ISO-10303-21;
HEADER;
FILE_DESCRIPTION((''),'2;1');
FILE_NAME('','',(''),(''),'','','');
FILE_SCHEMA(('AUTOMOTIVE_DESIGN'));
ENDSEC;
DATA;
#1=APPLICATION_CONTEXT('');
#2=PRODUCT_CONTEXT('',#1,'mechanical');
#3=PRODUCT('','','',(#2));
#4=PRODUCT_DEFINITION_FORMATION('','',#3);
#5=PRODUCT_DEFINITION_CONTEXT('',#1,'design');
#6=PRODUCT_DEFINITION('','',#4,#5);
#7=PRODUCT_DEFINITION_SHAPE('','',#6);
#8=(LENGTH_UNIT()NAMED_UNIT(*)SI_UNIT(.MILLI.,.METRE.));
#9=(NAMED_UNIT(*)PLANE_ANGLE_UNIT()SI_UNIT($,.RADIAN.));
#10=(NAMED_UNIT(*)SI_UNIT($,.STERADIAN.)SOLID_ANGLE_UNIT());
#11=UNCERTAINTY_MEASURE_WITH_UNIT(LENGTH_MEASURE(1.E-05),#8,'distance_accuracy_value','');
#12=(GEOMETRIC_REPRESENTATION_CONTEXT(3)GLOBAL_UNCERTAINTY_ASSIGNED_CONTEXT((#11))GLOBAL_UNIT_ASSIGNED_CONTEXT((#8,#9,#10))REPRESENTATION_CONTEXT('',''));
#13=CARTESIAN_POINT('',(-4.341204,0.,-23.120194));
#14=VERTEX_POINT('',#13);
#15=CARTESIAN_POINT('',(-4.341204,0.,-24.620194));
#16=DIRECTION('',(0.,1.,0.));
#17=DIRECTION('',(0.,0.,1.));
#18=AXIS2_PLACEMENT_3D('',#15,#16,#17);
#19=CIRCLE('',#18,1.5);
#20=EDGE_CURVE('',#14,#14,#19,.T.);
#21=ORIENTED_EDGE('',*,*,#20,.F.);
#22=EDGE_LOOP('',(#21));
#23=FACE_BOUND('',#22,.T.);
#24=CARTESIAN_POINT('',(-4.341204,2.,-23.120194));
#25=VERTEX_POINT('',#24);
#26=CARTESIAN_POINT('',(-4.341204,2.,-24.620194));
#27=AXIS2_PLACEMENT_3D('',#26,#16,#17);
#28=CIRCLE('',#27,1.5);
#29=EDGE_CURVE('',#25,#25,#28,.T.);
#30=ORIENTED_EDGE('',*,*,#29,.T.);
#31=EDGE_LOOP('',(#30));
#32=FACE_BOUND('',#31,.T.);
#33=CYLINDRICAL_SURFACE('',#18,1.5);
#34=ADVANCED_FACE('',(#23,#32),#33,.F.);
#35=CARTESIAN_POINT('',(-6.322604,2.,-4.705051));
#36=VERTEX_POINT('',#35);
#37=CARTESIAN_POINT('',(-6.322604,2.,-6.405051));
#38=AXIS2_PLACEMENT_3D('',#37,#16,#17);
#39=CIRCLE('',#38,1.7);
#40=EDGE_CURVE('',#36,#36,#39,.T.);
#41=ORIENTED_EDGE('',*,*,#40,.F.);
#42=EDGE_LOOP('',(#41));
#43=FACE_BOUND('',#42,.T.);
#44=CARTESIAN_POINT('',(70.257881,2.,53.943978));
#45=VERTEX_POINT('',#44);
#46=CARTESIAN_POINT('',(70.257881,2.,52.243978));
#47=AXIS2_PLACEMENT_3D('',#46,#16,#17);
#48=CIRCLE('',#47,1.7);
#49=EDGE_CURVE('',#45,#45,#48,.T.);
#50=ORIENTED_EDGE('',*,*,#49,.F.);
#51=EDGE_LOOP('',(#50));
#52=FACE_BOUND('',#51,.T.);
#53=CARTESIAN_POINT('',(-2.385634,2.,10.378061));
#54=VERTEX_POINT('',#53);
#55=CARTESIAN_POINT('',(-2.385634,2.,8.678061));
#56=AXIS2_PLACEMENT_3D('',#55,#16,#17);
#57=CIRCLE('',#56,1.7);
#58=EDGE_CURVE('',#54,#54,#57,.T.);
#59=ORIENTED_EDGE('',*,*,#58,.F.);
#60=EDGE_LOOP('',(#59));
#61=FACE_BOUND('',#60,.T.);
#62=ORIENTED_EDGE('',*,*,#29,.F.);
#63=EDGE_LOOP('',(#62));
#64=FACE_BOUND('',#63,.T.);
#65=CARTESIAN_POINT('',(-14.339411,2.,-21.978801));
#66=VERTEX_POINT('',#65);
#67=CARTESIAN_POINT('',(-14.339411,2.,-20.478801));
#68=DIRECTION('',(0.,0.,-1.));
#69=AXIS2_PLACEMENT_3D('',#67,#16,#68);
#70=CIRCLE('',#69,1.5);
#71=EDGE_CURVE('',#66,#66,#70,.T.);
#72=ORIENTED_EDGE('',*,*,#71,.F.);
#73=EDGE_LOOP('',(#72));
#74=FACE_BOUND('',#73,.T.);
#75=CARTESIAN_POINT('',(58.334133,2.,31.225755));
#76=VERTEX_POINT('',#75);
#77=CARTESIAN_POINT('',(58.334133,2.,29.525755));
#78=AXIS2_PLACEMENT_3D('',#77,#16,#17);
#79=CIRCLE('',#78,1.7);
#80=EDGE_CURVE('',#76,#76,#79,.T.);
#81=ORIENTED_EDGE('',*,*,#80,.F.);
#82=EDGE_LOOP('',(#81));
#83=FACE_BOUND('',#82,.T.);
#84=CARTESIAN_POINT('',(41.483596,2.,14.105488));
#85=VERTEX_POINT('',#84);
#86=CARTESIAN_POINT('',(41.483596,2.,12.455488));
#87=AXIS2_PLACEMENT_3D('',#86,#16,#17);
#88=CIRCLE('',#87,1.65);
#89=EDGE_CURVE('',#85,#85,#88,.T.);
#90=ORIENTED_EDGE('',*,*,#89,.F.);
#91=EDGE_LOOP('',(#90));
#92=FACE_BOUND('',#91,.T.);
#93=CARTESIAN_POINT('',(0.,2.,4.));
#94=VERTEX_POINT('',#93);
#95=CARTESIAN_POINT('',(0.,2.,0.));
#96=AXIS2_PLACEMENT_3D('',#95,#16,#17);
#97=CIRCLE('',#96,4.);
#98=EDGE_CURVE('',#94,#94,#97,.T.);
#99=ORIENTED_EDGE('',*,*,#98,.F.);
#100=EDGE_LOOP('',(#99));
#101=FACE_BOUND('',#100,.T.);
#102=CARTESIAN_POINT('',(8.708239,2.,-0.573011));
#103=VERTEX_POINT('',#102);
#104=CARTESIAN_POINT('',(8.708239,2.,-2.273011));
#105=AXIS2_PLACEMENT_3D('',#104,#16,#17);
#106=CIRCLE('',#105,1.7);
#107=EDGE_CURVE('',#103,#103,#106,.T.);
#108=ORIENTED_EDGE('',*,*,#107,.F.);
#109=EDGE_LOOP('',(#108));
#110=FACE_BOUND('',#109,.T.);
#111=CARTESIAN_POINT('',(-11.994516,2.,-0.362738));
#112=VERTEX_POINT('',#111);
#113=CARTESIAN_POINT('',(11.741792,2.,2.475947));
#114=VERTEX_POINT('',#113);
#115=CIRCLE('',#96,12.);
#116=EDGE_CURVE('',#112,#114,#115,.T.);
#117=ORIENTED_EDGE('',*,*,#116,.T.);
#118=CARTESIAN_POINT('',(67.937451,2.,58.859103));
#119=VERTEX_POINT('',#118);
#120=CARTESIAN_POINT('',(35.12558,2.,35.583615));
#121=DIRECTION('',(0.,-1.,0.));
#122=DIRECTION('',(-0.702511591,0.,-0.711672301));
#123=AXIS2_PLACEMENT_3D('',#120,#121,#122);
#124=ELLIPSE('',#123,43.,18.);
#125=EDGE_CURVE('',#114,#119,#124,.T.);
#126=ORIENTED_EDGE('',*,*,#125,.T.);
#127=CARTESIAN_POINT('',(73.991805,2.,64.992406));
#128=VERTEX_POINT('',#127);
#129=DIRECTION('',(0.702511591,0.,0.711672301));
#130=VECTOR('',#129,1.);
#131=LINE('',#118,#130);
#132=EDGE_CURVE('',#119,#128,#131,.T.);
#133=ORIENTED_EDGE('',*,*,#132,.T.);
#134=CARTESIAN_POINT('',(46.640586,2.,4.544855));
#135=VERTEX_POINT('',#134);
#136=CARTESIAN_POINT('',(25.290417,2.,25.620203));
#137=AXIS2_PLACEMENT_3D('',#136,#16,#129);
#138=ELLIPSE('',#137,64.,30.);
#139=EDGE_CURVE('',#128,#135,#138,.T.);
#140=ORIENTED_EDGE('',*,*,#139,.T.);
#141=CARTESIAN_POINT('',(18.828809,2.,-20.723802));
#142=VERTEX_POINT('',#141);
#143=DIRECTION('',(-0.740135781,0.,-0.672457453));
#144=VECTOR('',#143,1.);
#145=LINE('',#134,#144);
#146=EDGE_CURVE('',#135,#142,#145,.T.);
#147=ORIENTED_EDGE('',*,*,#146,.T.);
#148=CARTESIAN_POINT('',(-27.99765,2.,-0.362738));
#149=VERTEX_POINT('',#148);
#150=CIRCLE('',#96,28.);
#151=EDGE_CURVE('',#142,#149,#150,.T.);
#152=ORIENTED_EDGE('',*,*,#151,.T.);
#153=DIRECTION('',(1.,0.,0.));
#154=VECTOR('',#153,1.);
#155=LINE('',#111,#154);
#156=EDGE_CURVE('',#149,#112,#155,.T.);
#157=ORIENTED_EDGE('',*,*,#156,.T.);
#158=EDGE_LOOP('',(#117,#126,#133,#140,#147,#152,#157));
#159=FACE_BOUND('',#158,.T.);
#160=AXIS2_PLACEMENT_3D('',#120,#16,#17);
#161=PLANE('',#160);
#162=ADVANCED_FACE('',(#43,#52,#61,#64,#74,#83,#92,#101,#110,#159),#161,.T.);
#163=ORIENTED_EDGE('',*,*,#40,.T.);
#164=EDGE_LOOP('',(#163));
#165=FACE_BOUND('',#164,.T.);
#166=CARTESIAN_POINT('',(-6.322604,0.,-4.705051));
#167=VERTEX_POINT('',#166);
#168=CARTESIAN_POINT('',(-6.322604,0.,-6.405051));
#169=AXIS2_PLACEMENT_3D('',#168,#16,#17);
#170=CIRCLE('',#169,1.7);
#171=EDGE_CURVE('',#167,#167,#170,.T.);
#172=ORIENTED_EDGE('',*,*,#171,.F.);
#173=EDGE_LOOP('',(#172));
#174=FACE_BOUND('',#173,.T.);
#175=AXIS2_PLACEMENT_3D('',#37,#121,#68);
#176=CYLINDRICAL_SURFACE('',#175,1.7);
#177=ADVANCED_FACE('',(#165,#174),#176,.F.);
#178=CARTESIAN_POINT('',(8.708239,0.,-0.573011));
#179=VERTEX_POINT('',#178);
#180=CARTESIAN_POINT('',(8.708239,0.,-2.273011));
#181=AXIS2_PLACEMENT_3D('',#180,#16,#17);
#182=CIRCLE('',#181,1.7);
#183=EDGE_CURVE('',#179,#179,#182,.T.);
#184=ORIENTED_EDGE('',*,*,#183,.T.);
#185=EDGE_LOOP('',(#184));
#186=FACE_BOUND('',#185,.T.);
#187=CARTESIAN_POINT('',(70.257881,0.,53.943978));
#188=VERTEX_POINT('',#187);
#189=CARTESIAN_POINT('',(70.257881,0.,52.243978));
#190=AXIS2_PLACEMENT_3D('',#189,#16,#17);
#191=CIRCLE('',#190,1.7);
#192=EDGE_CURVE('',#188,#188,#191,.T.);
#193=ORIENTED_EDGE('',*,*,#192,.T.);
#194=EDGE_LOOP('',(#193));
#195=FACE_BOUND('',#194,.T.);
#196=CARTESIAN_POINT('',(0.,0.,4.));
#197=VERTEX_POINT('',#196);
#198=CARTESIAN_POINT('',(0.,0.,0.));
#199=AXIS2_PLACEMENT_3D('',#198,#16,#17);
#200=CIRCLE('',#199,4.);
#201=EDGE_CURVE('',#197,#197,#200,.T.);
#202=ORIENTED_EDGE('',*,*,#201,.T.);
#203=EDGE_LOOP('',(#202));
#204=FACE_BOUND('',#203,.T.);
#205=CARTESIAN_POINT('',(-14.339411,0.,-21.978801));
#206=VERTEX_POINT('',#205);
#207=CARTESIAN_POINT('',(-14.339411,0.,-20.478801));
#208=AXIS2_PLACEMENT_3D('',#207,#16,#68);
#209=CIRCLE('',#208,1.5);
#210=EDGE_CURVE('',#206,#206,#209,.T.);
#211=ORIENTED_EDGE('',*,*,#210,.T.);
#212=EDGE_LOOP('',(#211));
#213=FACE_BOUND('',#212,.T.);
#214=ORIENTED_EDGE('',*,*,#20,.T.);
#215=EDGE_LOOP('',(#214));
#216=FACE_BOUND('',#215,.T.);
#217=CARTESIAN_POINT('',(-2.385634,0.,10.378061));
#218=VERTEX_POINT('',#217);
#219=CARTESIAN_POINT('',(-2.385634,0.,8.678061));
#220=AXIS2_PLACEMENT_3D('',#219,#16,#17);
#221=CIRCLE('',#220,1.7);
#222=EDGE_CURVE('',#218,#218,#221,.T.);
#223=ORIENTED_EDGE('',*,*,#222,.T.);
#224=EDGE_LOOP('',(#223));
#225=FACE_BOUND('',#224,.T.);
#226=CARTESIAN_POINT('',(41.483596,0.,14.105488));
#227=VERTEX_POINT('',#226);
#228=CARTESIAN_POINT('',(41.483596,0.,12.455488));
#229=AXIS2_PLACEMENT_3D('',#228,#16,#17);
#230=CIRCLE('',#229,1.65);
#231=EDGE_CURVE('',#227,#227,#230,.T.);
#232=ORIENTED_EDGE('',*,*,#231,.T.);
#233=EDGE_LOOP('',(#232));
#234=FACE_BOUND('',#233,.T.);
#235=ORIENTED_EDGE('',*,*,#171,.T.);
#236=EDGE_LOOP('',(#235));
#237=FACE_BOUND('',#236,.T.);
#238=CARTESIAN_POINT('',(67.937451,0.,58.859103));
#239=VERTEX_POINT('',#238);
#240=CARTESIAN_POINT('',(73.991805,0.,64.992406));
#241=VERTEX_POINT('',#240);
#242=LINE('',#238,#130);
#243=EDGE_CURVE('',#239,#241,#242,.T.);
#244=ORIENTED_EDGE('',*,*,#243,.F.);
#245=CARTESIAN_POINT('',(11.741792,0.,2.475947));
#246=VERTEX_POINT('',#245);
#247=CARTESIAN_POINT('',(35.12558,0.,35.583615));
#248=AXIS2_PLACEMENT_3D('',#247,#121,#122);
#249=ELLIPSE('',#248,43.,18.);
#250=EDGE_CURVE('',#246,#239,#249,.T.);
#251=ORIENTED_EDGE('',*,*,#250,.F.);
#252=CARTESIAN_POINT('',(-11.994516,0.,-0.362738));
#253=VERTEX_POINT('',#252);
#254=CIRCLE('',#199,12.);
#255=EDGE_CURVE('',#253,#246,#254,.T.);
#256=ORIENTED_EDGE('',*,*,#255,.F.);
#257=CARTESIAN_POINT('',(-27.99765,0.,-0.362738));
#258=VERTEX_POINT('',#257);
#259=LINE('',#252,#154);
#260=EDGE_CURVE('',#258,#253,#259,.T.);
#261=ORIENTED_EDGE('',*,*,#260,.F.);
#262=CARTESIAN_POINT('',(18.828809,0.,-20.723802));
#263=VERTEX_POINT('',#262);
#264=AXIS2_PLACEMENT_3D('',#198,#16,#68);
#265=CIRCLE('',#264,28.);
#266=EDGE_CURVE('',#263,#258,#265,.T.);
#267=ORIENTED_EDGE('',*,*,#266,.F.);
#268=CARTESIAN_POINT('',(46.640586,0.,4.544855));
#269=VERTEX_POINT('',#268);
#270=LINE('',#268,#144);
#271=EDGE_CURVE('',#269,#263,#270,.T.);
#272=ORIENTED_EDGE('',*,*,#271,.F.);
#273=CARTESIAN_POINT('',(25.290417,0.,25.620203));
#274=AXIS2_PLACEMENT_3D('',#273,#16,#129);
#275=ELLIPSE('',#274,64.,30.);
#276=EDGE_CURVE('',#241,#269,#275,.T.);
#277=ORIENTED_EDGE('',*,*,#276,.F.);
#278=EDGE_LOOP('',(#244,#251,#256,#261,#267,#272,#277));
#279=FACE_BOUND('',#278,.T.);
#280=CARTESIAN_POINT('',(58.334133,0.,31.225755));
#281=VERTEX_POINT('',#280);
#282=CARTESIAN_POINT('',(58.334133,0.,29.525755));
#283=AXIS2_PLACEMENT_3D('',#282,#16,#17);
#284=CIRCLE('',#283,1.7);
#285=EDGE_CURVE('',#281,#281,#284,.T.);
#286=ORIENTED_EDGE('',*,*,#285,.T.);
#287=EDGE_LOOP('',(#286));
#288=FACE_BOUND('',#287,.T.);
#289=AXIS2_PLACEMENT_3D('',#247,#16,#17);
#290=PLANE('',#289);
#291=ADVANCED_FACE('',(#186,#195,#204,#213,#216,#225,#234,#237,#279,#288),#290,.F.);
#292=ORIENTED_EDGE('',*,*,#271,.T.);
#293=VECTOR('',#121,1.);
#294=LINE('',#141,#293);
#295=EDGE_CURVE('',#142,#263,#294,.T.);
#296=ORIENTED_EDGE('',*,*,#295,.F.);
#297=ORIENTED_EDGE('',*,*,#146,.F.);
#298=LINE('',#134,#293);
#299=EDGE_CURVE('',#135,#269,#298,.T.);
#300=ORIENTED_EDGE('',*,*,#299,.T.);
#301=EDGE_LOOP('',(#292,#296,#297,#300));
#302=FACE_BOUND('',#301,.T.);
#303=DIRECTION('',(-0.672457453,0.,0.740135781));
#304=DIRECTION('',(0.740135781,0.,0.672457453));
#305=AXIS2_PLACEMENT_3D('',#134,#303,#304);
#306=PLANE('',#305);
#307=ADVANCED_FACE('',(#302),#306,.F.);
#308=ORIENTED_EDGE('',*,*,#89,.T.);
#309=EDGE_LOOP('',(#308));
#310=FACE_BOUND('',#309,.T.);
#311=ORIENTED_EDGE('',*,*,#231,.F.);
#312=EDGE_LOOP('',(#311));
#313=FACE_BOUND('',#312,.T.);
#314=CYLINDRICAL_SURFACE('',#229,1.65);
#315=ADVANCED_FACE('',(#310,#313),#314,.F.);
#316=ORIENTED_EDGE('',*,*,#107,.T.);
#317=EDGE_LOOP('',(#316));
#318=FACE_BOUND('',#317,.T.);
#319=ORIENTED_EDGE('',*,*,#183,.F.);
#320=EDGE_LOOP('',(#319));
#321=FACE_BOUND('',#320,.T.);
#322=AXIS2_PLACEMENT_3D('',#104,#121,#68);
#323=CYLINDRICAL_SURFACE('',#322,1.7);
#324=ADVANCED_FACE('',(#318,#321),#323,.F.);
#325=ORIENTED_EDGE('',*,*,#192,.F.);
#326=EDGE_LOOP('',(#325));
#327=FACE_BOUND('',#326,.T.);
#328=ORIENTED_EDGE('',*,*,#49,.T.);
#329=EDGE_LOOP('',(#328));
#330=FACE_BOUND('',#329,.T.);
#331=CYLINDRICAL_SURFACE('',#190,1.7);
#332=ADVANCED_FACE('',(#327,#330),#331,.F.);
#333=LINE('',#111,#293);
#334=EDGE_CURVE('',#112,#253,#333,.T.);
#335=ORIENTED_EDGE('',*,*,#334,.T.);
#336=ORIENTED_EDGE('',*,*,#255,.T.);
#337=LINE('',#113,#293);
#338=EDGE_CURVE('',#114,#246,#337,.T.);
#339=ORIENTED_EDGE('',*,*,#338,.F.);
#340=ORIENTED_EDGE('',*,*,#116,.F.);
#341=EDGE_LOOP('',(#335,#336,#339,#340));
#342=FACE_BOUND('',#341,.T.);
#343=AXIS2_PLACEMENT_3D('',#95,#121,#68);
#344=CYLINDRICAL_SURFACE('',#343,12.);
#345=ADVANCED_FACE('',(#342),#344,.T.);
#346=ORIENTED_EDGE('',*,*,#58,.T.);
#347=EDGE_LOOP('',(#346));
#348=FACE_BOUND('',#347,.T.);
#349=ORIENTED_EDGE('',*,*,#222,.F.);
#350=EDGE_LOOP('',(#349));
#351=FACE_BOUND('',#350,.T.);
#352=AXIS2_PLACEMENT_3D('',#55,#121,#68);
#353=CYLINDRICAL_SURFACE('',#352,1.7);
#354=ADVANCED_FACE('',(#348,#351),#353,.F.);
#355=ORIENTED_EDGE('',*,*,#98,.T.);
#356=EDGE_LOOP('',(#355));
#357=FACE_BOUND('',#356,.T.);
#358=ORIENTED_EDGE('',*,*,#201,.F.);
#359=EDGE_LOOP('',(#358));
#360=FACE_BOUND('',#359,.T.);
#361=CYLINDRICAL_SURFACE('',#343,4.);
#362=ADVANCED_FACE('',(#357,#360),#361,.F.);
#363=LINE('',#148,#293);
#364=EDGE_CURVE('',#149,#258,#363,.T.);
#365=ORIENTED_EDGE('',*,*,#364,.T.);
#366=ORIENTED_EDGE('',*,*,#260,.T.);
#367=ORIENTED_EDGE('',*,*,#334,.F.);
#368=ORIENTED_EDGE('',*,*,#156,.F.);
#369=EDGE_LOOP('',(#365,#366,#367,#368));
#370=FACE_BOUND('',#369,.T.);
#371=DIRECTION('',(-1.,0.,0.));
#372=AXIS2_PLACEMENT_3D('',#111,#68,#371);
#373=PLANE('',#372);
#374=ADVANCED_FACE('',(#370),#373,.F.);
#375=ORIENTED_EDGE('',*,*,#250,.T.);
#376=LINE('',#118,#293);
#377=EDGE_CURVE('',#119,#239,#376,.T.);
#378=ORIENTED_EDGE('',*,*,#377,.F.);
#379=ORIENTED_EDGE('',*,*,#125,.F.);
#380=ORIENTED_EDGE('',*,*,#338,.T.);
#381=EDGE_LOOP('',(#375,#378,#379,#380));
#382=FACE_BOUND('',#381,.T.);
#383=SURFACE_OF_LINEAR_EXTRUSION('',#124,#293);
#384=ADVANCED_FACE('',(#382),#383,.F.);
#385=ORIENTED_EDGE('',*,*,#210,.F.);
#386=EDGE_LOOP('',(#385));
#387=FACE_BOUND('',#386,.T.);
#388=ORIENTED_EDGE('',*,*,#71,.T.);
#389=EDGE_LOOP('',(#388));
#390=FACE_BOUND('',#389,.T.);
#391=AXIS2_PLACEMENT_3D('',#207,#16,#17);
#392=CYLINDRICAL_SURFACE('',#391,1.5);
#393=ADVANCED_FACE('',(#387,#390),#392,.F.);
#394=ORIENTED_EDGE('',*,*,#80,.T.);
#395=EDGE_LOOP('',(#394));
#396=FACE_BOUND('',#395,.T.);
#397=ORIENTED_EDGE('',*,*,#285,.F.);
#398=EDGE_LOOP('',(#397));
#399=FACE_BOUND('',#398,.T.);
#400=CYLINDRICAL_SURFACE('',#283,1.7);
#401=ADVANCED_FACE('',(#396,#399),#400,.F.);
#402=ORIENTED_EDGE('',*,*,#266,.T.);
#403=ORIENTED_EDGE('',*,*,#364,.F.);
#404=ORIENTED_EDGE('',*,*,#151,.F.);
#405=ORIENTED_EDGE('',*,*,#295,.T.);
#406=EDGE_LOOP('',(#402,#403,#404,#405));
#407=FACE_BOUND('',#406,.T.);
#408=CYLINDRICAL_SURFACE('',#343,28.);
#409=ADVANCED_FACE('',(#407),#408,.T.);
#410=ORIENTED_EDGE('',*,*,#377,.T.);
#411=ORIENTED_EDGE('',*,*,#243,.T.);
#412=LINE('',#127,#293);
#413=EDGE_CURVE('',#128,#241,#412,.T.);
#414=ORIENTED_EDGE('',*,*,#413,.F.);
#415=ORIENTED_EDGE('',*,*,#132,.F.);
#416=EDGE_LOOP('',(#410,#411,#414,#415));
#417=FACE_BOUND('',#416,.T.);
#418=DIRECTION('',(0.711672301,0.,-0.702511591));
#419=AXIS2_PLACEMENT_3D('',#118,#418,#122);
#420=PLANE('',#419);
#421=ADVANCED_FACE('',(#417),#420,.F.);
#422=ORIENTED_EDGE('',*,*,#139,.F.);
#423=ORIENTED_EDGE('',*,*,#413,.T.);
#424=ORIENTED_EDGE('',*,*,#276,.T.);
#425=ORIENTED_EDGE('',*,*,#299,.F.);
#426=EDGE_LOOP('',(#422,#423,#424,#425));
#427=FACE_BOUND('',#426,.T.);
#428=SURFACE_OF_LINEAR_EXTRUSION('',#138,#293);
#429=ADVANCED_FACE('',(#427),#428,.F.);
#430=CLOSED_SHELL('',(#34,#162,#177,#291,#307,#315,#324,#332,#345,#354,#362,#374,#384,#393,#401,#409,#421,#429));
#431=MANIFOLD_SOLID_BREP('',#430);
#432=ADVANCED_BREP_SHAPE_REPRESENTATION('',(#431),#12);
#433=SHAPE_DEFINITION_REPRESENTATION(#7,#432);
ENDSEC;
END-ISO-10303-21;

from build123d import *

# Parameters (mm, degrees)
SKETCH_1_R          = 1.7
SKETCH_1_R_2        = 4
EXTRUDE_1_DEPTH     = 2
SKETCH_2_R          = 1.5
SKETCH_2_R_2        = 1.7
SKETCH_2_R_3        = 1.65
CUT_EXTRUDE_2_DEPTH = 100.30986231


with BuildPart() as part:
    # Эскиз1 → Бобышка-Вытянуть1 (new body)
    with BuildSketch(Plane(origin=(0, 0, 0), x_dir=(1, 0, 0), z_dir=(0, 1, 0))):
        with BuildLine():
            Line((-11.994516295, 0.362737998), (-27.997650279, 0.362737998))
            ThreePointArc((-27.997650279, 0.362737998), (-19.670324553, 19.926824433), (0, 28))
            ThreePointArc((0, 28), (10.092907112, 26.117680334), (18.828808684, 20.72380186))
            Line((18.828808684, 20.72380186), (46.640586318, -4.544855106))
            add(Edge.make_bspline(
                [(73.991805315, -64.992405718), (82.088977067, -40.455490793), (46.640586318, -4.544855106)],
                knots=[0.235504237, 0.235504237, 0.235504237, 1.570796327, 1.570796327, 1.570796327], degree=2, weights=[1, 0.785281266, 1]))
            Line((73.991805315, -64.992405718), (67.937451343, -58.859103325))
            add(Edge.make_bspline(
                [(67.937451343, -58.859103325), (68.070075227, -1.227091326), (11.741792344, -2.475946799)],
                knots=[3.541017893, 3.541017893, 3.541017893, 5.906750707, 5.906750707, 5.906750707], degree=2, weights=[1, 0.378272966, 1]))
            ThreePointArc((11.741792344, -2.475946799), (-1.424956207, -11.915095459), (-11.994516295, 0.362737998))
        make_face()
        with Locations(Location((-6.322604321, 6.40505071, 0), (0, 0, 270))):
            Circle(SKETCH_1_R, mode=Mode.SUBTRACT)
        with Locations(Location((0, 0, 0), (0, 0, 270))):
            Circle(SKETCH_1_R_2, mode=Mode.SUBTRACT)
        with Locations(Location((8.708238788, 2.273010605, 0), (0, 0, 270))):
            Circle(SKETCH_1_R, mode=Mode.SUBTRACT)
        with Locations(Location((-2.385634467, -8.678061315, 0), (0, 0, 270))):
            Circle(SKETCH_1_R, mode=Mode.SUBTRACT)
    extrude(amount=EXTRUDE_1_DEPTH)

    # Эскиз2 → Вырез-Вытянуть2 (cut, through all)
    with BuildSketch(Plane(origin=(0, 2, 0), x_dir=(1, 0, 0), z_dir=(0, 1, 0))):
        with Locations(Location((-4.341204442, 24.620193825, 0), (0, 0, 270))):
            Circle(SKETCH_2_R)
        with Locations(Location((-14.339410909, 20.478801107, 0), (0, 0, 90))):
            Circle(SKETCH_2_R)
        with Locations(Location((58.334133011, -29.525755439, 0), (0, 0, 270))):
            Circle(SKETCH_2_R_2)
        with Locations(Location((70.257880668, -52.24397848, 0), (0, 0, 270))):
            Circle(SKETCH_2_R_2)
        with Locations(Location((41.483595962, -12.455488374, 0), (0, 0, 270))):
            Circle(SKETCH_2_R_3)
    extrude(amount=-CUT_EXTRUDE_2_DEPTH, mode=Mode.SUBTRACT)


solid = part.part
